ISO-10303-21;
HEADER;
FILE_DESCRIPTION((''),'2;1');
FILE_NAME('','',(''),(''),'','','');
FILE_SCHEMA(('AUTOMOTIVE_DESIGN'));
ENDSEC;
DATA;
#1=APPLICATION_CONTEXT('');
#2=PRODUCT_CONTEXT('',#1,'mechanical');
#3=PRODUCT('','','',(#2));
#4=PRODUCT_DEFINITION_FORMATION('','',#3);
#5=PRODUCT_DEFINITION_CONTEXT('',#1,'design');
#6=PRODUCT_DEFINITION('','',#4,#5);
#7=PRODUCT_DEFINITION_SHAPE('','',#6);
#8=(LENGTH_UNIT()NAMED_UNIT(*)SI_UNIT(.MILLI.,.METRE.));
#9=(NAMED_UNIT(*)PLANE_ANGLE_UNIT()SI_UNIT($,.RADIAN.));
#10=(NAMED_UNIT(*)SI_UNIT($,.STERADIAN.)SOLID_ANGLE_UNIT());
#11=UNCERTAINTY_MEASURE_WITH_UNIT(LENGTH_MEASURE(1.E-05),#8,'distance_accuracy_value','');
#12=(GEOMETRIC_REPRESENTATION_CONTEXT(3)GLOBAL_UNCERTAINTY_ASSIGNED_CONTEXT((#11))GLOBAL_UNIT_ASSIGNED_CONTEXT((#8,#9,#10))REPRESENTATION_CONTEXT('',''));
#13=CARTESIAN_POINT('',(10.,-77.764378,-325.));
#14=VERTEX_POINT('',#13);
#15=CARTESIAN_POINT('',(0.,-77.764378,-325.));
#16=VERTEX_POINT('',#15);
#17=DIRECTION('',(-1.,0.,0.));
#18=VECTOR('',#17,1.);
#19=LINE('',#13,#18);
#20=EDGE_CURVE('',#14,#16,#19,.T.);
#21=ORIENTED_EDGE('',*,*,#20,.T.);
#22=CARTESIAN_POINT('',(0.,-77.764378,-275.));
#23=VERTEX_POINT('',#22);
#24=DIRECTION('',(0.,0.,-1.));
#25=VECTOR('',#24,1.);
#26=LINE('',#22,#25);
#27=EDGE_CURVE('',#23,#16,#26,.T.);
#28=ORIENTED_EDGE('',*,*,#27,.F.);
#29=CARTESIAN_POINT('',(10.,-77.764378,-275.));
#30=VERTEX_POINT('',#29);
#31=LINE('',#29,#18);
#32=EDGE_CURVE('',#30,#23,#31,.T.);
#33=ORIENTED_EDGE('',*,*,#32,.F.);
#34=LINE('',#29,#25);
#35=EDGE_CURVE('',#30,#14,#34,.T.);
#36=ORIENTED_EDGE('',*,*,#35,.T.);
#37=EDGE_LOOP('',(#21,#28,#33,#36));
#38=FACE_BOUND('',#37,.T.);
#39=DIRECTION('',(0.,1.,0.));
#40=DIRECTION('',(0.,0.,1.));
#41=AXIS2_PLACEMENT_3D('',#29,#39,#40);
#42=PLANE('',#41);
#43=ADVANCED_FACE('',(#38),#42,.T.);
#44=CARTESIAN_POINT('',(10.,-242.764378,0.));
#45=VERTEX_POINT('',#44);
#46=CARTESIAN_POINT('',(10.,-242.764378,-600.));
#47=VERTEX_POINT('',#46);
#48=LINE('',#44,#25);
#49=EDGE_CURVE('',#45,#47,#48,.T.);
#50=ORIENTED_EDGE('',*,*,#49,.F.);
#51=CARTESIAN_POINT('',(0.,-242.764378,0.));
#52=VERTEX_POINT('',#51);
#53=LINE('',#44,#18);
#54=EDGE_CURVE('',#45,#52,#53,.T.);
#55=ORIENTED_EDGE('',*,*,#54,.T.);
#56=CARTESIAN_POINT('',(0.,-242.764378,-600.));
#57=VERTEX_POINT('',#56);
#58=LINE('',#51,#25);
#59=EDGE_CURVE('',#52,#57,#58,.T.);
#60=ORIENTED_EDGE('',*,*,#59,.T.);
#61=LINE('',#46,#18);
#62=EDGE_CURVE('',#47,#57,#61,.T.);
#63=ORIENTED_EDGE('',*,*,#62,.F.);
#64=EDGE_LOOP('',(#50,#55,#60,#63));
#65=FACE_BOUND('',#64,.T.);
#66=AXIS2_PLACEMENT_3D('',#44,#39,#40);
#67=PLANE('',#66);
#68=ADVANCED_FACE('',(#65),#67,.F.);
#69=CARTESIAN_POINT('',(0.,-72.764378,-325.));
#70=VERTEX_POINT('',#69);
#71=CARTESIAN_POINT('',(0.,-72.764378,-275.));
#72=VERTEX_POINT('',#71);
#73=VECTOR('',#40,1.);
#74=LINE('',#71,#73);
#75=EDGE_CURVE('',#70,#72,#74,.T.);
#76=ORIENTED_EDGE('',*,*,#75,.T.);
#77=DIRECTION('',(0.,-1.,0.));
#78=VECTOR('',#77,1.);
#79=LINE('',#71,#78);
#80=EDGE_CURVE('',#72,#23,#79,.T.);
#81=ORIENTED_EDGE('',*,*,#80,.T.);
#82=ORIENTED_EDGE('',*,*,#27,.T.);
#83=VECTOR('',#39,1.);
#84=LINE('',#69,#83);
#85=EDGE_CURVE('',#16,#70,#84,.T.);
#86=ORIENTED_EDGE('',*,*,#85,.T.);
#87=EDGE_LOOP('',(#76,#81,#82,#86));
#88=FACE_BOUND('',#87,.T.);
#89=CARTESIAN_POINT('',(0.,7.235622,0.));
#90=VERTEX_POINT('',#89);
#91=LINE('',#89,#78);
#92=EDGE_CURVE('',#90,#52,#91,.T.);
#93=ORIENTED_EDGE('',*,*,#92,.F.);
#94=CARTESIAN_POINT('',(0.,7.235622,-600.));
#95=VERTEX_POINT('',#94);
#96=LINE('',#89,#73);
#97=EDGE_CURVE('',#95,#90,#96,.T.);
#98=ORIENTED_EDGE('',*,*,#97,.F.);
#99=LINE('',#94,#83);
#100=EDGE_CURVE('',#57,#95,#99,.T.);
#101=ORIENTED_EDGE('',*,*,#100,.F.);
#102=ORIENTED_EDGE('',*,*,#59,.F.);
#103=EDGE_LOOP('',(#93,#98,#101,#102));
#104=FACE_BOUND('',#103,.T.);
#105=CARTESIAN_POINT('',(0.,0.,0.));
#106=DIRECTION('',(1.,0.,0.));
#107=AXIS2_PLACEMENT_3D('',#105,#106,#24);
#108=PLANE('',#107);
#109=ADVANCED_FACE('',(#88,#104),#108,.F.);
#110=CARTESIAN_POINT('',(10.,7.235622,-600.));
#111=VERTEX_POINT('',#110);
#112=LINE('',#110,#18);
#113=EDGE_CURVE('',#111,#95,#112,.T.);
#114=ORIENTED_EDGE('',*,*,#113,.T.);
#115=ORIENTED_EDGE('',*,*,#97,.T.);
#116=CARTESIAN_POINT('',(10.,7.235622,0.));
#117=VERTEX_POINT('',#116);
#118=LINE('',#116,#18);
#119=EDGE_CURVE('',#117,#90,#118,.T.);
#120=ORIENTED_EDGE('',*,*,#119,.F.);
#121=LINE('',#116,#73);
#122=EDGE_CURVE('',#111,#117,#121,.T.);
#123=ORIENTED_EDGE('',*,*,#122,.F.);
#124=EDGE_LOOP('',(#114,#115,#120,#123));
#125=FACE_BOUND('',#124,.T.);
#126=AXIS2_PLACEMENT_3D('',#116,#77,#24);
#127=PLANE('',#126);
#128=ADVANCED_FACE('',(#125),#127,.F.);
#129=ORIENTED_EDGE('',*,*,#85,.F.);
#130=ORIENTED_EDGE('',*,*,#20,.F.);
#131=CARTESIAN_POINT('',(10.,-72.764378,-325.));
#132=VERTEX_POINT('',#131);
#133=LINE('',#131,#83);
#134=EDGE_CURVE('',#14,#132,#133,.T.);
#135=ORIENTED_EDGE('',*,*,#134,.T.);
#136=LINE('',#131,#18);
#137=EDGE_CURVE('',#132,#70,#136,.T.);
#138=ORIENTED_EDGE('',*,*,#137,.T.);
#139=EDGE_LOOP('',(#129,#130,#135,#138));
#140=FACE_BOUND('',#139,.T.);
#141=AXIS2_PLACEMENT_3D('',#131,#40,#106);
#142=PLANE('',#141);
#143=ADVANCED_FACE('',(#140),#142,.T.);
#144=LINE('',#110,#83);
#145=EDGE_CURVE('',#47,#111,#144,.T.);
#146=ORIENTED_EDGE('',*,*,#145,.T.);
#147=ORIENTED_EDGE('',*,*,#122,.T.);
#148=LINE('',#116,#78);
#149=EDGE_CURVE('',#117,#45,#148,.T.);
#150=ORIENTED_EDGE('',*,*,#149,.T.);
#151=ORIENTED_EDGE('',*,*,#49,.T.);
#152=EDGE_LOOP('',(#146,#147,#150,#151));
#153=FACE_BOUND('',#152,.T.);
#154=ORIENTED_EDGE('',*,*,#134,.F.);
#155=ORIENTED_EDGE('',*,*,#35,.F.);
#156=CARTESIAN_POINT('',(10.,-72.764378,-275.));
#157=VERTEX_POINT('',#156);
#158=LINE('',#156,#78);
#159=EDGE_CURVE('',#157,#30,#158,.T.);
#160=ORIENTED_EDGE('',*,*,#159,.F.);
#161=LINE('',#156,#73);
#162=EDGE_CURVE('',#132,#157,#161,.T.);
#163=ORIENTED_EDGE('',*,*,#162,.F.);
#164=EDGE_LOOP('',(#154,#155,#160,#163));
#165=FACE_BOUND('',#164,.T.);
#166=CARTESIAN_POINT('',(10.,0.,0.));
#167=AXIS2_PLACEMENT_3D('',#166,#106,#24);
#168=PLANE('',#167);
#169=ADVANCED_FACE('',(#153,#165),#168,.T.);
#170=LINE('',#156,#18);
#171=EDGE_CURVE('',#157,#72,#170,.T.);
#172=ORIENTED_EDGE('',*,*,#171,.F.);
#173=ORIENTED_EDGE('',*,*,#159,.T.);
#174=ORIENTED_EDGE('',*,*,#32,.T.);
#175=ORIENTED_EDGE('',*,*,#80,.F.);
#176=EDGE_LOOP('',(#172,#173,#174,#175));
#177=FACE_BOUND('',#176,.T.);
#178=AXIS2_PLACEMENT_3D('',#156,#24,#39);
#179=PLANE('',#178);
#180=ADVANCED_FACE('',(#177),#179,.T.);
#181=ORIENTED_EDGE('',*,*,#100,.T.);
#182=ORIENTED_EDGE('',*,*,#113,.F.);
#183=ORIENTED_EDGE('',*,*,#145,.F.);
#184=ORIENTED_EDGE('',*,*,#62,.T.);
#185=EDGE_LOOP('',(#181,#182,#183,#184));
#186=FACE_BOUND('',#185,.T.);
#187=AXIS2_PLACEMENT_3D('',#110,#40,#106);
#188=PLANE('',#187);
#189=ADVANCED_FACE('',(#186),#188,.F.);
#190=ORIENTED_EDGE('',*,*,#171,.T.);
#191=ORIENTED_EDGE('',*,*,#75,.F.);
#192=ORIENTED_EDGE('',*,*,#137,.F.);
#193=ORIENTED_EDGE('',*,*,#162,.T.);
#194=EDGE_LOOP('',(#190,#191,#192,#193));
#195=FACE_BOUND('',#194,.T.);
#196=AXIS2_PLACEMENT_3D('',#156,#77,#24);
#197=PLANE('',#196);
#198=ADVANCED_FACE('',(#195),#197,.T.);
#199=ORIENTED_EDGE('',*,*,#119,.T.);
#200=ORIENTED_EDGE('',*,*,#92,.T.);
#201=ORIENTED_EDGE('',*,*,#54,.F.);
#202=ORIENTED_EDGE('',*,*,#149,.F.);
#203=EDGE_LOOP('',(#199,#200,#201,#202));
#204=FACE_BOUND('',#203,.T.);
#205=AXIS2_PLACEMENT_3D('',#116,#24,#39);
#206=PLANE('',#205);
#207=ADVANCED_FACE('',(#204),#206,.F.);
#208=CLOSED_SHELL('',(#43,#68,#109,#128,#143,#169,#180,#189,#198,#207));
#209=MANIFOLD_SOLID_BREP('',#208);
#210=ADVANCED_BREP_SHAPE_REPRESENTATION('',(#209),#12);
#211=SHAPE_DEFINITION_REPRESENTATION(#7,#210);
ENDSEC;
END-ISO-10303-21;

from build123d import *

# Parameters (mm, degrees)
SKETCH1_W           = 600
SKETCH1_H           = 250
SKETCH1_W_2         = 50
SKETCH1_H_2         = 5
BOSS_EXTRUDE1_DEPTH = 10


with BuildPart() as part:
    # Sketch1 → Boss-Extrude1 (new body)
    with BuildSketch(Plane(origin=(0, 0, 0), x_dir=(0, 0, -1), z_dir=(1, 0, 0))):
        with Locations((300, -117.764378479)):
            Rectangle(SKETCH1_W, SKETCH1_H)
        with Locations((300, -75.264378479)):
            Rectangle(SKETCH1_W_2, SKETCH1_H_2, mode=Mode.SUBTRACT)
    extrude(amount=BOSS_EXTRUDE1_DEPTH)


solid = part.part
